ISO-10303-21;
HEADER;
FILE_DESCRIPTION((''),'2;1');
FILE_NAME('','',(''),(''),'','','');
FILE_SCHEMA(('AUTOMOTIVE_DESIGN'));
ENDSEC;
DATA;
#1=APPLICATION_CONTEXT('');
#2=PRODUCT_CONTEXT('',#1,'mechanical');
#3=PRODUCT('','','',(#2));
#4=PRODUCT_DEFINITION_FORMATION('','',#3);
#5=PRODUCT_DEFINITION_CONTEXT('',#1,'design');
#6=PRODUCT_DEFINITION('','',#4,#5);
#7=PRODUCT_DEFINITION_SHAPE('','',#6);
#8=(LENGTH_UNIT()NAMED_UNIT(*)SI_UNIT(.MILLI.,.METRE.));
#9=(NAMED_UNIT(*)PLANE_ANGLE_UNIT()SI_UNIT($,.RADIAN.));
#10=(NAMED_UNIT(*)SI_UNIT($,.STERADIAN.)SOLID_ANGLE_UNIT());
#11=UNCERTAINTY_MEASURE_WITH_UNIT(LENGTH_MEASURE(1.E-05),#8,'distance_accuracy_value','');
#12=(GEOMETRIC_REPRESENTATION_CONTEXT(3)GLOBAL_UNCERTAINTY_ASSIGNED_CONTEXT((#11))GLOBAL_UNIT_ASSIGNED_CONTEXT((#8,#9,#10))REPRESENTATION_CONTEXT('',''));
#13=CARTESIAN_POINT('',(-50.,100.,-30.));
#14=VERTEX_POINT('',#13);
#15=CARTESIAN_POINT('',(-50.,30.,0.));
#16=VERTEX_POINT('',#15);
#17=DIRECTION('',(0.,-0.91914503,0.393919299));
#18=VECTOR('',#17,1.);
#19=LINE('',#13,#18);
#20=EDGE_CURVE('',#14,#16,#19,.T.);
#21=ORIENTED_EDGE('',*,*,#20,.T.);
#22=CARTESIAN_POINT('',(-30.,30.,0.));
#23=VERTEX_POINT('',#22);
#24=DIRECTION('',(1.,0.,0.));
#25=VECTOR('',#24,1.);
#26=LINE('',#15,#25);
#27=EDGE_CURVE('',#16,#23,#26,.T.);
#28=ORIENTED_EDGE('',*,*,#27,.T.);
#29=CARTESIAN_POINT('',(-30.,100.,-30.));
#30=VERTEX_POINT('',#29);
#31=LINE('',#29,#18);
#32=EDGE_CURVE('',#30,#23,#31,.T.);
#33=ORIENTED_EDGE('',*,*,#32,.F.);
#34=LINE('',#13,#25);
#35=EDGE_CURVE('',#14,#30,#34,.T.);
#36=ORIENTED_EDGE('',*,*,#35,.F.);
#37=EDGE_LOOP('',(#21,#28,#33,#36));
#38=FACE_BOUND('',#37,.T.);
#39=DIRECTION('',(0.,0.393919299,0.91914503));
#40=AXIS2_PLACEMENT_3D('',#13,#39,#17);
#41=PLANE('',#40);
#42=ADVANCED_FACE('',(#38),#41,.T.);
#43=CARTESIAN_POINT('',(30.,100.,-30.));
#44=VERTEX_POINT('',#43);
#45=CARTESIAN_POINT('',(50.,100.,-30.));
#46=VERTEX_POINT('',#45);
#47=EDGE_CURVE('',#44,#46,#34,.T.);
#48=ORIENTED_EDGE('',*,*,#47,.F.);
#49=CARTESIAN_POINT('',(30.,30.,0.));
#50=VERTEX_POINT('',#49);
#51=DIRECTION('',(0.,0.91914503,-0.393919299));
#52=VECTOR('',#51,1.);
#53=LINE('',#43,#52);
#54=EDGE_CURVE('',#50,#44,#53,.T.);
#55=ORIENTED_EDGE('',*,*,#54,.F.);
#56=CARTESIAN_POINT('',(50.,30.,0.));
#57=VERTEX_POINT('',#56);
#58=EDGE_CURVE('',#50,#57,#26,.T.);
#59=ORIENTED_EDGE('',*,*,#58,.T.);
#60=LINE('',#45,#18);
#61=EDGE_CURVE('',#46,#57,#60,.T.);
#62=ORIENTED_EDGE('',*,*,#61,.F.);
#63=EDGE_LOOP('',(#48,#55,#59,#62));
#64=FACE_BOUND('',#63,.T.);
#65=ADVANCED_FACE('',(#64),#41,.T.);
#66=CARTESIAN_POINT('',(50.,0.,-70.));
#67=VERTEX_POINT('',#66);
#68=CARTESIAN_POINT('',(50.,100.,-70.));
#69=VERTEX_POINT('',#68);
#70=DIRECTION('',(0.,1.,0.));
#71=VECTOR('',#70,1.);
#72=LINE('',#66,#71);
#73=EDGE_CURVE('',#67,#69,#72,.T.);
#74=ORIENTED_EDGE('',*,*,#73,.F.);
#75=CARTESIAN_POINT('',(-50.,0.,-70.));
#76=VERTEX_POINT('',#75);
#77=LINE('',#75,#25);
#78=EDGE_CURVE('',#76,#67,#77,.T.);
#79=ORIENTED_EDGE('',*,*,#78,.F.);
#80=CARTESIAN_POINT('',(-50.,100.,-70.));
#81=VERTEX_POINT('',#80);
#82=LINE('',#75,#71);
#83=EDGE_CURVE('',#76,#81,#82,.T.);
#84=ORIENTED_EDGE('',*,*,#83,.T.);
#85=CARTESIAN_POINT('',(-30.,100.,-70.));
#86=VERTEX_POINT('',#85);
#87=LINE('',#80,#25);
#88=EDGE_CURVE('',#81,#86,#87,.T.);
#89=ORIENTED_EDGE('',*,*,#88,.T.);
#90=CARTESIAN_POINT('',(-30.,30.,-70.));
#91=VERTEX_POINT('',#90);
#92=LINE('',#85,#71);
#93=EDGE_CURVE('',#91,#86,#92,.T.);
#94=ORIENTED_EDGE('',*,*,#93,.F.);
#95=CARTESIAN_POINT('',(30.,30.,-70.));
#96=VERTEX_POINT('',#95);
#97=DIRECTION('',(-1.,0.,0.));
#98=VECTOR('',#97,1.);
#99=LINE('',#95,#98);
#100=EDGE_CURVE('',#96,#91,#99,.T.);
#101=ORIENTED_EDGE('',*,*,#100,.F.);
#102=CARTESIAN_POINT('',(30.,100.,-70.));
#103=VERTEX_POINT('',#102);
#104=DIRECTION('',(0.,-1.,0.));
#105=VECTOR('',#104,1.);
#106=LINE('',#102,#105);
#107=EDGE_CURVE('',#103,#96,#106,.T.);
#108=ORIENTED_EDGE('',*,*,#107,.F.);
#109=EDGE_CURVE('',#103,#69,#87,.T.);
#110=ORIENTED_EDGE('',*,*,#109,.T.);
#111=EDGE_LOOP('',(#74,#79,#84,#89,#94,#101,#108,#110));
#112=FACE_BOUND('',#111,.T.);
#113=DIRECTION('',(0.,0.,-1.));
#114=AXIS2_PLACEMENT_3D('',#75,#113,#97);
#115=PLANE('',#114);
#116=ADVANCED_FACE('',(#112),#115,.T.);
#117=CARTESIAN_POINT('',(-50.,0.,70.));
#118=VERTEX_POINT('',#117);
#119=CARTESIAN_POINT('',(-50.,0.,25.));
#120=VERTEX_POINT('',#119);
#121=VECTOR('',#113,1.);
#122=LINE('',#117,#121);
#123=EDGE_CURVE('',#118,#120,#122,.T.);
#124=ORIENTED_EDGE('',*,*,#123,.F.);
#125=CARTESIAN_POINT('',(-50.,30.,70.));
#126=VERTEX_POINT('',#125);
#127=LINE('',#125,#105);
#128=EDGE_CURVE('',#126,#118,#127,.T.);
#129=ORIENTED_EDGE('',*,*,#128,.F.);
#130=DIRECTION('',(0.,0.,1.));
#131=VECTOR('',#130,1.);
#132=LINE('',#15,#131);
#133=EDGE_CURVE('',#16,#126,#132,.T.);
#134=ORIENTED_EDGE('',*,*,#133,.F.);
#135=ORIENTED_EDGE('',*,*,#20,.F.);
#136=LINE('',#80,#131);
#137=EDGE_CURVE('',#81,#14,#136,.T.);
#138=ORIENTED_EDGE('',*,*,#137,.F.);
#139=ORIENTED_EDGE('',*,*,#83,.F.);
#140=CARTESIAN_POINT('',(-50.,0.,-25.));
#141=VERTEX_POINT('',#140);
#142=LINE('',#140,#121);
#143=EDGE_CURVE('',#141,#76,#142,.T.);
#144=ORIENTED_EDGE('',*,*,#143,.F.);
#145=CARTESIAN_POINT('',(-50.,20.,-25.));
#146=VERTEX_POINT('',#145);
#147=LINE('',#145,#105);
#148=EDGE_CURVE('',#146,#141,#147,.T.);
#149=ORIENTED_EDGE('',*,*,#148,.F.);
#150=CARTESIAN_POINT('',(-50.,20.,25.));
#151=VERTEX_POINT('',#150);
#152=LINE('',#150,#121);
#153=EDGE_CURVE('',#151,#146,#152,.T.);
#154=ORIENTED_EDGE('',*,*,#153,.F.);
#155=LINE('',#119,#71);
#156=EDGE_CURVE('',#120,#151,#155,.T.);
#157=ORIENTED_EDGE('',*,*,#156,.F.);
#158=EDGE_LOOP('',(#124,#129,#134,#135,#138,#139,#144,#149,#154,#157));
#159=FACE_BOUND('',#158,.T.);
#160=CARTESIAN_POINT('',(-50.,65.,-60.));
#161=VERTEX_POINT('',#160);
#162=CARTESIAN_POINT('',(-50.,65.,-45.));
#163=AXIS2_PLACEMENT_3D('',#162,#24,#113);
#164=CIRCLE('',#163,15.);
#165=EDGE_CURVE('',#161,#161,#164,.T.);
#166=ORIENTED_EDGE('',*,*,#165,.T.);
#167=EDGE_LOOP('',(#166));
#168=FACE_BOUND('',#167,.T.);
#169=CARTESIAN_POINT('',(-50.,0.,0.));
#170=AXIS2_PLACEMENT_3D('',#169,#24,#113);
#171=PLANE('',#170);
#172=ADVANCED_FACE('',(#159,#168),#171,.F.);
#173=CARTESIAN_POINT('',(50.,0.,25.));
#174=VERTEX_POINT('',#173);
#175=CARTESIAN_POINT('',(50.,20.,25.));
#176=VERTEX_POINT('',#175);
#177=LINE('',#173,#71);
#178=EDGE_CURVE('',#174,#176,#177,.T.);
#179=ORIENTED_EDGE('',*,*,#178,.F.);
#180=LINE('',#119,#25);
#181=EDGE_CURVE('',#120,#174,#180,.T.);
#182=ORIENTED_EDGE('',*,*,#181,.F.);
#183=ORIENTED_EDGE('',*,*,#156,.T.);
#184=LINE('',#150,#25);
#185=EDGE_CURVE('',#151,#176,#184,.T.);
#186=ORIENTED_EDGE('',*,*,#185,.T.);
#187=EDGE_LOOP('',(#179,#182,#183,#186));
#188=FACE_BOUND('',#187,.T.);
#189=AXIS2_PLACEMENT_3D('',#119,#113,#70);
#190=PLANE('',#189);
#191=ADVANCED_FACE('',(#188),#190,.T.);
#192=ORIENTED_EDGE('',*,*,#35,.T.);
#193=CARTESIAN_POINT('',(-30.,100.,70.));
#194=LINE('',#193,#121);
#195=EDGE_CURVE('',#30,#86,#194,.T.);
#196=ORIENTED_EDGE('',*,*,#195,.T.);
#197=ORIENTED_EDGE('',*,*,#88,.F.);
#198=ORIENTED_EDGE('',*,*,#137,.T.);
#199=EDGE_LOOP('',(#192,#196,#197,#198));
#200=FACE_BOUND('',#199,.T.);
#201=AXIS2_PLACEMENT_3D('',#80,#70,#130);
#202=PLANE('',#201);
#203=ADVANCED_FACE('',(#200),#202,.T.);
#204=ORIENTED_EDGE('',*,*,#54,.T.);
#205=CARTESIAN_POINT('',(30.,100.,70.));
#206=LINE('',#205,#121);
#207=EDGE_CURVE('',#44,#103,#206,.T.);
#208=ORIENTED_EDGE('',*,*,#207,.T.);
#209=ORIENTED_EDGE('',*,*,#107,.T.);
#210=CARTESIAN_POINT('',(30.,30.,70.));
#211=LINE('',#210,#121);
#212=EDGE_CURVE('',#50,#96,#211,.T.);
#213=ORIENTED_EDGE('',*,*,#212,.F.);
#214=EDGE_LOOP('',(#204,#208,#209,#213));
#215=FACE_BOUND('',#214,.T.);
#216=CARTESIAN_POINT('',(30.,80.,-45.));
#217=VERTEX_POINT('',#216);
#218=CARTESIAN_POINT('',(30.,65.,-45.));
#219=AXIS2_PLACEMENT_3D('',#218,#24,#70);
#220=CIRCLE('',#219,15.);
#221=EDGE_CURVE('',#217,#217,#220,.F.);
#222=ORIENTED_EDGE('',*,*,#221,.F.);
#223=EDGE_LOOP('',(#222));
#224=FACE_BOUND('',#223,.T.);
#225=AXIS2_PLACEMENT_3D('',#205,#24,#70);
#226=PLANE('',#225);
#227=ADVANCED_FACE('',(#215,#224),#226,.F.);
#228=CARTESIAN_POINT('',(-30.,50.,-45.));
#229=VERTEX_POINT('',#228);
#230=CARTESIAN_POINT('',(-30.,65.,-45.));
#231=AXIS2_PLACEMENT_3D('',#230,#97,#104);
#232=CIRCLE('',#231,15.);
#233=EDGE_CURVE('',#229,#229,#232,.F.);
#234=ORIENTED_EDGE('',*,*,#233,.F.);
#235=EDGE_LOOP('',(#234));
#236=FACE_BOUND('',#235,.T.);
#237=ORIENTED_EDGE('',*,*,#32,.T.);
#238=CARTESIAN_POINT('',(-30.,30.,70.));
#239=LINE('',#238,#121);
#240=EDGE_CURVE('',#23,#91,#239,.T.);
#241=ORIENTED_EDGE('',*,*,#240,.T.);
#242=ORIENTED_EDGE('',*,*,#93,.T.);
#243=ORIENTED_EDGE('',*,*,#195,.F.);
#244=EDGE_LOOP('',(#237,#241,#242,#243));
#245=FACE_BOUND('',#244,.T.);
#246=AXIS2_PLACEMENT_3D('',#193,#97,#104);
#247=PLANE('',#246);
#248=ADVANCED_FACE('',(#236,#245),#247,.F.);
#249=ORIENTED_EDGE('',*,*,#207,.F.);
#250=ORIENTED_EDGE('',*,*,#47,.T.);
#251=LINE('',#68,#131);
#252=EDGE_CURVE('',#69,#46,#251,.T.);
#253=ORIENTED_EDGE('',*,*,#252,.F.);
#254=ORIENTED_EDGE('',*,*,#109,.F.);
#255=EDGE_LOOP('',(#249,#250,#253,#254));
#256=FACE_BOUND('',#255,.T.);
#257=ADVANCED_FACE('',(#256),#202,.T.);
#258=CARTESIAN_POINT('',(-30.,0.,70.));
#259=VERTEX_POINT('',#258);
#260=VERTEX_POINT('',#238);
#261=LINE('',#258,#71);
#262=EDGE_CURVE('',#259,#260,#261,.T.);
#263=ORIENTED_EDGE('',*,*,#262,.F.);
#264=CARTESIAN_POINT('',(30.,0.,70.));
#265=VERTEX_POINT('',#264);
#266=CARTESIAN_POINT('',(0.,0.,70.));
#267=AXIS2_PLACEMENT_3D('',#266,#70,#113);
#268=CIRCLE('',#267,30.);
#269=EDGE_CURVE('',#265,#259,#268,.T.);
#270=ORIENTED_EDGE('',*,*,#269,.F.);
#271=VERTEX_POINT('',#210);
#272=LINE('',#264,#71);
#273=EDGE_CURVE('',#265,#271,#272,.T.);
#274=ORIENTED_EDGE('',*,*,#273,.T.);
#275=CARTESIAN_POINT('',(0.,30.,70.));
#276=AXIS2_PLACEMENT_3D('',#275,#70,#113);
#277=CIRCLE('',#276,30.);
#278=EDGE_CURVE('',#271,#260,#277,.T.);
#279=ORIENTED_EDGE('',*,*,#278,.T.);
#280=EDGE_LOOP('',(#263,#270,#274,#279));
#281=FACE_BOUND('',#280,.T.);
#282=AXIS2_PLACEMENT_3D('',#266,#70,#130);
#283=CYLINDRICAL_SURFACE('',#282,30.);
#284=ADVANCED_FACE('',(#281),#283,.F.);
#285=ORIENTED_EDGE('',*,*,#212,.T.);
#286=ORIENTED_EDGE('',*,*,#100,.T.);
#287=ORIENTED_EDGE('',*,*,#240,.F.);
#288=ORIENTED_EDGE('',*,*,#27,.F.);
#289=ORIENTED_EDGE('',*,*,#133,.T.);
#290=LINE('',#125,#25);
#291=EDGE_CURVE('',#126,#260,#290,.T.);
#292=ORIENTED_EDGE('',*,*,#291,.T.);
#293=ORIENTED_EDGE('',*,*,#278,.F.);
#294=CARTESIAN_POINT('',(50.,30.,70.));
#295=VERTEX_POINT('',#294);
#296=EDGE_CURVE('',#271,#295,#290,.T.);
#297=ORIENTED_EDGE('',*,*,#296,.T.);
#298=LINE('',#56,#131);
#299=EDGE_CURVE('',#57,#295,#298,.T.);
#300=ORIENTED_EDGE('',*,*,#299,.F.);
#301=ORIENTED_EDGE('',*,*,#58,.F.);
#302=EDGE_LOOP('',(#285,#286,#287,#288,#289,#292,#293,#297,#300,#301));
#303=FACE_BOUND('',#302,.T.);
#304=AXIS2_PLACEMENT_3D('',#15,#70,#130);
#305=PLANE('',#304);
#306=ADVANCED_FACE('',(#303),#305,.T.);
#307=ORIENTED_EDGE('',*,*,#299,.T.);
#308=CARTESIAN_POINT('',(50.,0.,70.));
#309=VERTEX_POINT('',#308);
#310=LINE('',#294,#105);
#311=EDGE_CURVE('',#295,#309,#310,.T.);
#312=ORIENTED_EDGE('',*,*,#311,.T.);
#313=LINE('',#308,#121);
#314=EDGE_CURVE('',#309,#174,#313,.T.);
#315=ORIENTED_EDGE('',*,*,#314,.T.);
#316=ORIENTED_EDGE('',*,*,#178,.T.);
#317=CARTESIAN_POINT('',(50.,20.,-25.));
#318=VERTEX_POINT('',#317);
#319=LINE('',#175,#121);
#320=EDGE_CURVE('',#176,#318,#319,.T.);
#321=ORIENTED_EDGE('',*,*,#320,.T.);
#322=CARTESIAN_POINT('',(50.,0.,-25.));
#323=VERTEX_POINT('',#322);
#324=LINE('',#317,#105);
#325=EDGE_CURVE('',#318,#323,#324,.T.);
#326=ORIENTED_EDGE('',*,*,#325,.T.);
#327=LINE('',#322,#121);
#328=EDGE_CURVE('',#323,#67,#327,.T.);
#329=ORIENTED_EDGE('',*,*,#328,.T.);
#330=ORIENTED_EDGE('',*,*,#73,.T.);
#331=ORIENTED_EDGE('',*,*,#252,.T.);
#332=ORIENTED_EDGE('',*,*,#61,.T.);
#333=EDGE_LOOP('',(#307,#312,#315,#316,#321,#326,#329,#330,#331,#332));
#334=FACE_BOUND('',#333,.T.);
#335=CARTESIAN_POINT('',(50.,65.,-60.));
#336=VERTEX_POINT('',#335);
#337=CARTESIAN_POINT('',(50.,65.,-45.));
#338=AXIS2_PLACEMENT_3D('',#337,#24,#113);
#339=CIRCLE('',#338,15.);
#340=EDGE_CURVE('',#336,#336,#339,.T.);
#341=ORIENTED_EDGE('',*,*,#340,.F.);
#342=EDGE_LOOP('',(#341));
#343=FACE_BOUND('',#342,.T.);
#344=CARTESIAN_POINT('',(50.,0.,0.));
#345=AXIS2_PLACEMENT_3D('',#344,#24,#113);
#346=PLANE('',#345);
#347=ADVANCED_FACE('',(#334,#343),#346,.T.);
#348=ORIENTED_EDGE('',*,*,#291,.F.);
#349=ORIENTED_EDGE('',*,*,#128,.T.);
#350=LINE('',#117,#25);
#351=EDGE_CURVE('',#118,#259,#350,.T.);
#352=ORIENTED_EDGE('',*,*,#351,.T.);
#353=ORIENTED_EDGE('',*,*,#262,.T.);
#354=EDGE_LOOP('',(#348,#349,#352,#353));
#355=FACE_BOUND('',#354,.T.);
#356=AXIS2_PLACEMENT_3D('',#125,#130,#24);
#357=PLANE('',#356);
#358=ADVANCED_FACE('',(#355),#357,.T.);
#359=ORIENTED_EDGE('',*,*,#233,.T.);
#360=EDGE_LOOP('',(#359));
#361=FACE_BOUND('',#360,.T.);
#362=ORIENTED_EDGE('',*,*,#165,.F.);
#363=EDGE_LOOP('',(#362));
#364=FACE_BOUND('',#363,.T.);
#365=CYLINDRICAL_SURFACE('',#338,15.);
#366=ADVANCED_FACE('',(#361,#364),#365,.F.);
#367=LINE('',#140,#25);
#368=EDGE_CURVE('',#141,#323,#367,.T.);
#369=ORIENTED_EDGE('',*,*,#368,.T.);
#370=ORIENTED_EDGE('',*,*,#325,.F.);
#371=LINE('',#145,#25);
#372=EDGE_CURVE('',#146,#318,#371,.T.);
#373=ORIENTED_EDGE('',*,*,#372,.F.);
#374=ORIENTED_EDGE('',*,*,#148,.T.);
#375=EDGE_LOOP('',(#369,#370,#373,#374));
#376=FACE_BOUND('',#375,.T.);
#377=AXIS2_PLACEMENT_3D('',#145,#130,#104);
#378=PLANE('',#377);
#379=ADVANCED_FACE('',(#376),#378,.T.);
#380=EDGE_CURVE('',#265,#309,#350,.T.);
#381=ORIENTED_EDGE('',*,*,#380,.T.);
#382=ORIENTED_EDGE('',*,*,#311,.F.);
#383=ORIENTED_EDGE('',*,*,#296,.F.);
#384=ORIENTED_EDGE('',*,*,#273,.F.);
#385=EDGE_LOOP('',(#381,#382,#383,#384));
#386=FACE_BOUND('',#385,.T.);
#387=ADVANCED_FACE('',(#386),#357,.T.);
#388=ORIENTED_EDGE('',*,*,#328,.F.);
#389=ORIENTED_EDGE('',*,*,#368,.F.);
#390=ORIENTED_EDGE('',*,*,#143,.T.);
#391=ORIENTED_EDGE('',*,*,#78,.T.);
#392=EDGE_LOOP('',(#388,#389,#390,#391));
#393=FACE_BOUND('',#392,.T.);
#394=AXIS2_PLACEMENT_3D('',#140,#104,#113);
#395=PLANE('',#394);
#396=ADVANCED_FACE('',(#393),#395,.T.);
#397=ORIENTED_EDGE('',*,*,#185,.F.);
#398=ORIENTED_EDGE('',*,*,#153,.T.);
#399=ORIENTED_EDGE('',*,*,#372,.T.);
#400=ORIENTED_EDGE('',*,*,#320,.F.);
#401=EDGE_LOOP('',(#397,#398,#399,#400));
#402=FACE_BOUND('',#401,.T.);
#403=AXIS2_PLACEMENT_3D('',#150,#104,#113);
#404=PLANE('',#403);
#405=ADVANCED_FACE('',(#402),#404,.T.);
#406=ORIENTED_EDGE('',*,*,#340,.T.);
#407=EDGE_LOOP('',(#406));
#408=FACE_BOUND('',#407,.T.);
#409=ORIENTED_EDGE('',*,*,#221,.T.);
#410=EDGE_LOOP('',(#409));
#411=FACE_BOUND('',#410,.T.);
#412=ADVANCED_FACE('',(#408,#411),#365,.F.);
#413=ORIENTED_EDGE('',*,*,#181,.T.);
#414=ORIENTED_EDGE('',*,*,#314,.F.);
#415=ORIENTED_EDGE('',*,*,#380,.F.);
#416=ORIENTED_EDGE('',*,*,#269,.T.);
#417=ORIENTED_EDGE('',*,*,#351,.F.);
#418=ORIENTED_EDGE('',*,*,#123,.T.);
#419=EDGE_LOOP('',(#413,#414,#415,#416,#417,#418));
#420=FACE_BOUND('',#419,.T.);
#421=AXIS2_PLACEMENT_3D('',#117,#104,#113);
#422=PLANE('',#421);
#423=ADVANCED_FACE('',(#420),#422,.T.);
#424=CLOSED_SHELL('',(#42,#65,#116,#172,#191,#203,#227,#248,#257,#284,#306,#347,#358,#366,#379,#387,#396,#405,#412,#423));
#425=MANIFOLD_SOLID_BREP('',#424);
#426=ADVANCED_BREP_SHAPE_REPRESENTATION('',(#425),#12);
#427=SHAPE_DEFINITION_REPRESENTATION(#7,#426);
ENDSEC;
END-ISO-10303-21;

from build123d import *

# Parameters (mm, degrees)
BOSS_EXTRUDE1_DEPTH      = 50
BOSS_EXTRUDE1_DEPTH_BACK = 50
CUT_EXTRUDE2_DEPTH       = 111.905365064
HOLE1_D                  = 30
SKETCH5_W                = 60
SKETCH5_H                = 70
CUT_EXTRUDE3_DEPTH       = 180.164728672


with BuildPart() as part:
    # Sketch1 → Boss-Extrude1 (new, two sides: drawn at the far end of the back side and taken through both)
    with BuildSketch(Plane(origin=(0, 0, 0), x_dir=(0, 0, -1), z_dir=(1, 0, 0)).offset(-BOSS_EXTRUDE1_DEPTH_BACK)):
        Polygon((-70, 0), (-25, 0), (-25, 20), (25, 20), (25, 0), (70, 0), (70, 100), (30, 100), (0, 30), (-70, 30), align=None)
    extrude(amount=BOSS_EXTRUDE1_DEPTH + BOSS_EXTRUDE1_DEPTH_BACK)

    # Sketch2 → Cut-Extrude2 (cut, through all)
    with BuildSketch(Plane(origin=(0, 30, 0), x_dir=(1, 0, 0), z_dir=(0, 1, 0))):
        with BuildLine():
            Line((-30, -70), (30, -70))
            ThreePointArc((30, -70), (0, -40), (-30, -70))
        make_face()
    extrude(amount=-CUT_EXTRUDE2_DEPTH, mode=Mode.SUBTRACT)

    # Hole1 (through all)
    with Locations(Plane(origin=(50, 0, 0), x_dir=(0, 0, -1), z_dir=(1, 0, 0))):
        with Locations((45, 65)):
            Hole(HOLE1_D / 2)

    # Sketch5 → Cut-Extrude3 (cut, through all)
    with BuildSketch(Plane(origin=(0, 0, -70), x_dir=(-1, 0, 0), z_dir=(0, 0, -1))):
        with Locations((0, 65)):
            Rectangle(SKETCH5_W, SKETCH5_H)
    extrude(amount=-CUT_EXTRUDE3_DEPTH, mode=Mode.SUBTRACT)


solid = part.part
